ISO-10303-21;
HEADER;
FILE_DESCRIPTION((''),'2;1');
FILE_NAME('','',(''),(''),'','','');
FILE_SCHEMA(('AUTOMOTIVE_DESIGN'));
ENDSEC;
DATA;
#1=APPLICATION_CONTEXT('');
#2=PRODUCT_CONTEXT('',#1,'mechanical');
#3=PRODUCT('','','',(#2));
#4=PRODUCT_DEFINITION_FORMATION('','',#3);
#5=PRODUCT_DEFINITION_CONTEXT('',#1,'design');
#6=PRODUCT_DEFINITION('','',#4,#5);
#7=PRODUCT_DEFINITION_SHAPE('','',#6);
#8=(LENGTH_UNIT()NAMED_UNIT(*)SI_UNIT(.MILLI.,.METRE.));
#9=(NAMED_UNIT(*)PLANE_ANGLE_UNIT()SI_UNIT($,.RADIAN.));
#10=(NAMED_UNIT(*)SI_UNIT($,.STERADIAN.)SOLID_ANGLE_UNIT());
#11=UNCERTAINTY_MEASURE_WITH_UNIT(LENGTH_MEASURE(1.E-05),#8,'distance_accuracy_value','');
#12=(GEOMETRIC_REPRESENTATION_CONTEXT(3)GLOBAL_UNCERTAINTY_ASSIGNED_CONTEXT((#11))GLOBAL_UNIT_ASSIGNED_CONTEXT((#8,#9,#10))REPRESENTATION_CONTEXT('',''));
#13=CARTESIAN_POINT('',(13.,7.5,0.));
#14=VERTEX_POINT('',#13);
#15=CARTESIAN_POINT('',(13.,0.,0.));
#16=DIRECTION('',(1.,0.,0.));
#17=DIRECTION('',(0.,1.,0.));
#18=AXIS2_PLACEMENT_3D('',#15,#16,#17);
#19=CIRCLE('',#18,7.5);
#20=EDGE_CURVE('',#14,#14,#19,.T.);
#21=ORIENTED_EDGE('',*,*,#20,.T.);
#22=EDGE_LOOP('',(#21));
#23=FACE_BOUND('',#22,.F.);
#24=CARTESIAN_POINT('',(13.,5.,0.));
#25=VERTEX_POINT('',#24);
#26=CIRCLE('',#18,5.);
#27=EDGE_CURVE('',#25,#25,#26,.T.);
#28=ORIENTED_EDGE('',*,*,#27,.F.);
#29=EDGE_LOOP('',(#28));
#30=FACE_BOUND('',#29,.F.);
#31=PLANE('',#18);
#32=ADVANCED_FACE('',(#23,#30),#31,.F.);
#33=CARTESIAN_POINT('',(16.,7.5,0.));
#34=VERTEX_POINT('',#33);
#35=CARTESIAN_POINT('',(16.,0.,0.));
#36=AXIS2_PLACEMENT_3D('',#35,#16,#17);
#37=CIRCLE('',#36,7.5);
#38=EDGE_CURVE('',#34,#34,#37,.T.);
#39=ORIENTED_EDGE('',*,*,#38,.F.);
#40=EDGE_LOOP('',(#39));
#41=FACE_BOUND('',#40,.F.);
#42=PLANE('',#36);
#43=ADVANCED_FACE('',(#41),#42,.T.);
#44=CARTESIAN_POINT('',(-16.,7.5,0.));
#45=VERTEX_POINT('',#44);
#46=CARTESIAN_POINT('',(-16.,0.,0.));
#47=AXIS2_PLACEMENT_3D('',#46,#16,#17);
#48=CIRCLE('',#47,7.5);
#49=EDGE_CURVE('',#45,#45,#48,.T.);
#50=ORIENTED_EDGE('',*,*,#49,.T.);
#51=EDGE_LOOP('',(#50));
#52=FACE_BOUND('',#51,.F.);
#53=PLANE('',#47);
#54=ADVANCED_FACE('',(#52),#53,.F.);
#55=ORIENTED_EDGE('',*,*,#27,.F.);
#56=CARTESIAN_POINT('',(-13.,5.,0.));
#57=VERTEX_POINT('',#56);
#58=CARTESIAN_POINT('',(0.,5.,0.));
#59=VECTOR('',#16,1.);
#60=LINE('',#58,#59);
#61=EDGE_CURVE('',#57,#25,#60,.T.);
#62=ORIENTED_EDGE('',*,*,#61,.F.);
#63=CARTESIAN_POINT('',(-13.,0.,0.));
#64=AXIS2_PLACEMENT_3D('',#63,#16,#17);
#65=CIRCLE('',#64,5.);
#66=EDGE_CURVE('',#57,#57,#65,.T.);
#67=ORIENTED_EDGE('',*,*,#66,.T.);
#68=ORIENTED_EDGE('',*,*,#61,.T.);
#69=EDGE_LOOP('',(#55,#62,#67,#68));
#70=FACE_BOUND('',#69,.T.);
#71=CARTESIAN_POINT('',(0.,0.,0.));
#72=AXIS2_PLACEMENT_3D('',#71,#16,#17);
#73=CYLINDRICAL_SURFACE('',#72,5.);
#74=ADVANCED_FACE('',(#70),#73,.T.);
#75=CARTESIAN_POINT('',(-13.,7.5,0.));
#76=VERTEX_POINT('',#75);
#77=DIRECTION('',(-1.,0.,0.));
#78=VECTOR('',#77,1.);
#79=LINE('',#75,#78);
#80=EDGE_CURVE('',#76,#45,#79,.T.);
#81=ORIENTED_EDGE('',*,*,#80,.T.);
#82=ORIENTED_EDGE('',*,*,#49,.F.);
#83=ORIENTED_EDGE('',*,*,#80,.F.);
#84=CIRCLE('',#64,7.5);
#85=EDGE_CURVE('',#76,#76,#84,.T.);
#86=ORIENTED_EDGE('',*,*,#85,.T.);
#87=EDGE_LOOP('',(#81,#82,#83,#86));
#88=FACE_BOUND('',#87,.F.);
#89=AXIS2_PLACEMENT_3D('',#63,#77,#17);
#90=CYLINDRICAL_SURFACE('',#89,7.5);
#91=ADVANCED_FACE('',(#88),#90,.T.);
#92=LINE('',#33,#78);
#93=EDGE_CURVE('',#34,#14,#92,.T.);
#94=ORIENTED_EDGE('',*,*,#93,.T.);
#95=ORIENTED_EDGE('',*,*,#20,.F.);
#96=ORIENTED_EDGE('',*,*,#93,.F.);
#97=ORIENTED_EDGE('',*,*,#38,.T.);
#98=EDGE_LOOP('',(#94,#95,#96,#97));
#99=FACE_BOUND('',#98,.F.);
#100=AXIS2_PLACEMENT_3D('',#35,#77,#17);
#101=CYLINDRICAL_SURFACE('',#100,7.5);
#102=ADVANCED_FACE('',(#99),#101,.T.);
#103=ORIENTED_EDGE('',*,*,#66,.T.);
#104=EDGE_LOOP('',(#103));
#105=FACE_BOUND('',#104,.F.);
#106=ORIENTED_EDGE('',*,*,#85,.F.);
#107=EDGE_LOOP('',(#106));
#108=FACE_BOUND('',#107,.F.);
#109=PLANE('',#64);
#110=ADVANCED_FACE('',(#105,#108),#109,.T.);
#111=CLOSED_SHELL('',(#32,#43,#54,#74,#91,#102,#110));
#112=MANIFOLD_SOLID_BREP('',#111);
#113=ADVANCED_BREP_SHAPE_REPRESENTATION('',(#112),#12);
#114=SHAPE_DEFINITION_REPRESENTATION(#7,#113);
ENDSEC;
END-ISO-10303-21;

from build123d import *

# Parameters (mm, degrees)
F0_W = 26
F0_H = 5


with BuildPart() as f1:
    # F0 (on Top) → F1 (revolve)
    with BuildSketch(Plane.XY):
        Polygon((-13, 0), (-13, 5), (-13, 7.5), (-16, 7.5), (-16, 0), align=None)
        with Locations((0, 2.5)):
            Rectangle(F0_W, F0_H)
        Polygon((13, 7.5), (13, 5), (13, 0), (16, 0), (16, 7.5), align=None)
    revolve(axis=Axis((0, 0, 0), (1, 0, 0)))


solid = f1.part
